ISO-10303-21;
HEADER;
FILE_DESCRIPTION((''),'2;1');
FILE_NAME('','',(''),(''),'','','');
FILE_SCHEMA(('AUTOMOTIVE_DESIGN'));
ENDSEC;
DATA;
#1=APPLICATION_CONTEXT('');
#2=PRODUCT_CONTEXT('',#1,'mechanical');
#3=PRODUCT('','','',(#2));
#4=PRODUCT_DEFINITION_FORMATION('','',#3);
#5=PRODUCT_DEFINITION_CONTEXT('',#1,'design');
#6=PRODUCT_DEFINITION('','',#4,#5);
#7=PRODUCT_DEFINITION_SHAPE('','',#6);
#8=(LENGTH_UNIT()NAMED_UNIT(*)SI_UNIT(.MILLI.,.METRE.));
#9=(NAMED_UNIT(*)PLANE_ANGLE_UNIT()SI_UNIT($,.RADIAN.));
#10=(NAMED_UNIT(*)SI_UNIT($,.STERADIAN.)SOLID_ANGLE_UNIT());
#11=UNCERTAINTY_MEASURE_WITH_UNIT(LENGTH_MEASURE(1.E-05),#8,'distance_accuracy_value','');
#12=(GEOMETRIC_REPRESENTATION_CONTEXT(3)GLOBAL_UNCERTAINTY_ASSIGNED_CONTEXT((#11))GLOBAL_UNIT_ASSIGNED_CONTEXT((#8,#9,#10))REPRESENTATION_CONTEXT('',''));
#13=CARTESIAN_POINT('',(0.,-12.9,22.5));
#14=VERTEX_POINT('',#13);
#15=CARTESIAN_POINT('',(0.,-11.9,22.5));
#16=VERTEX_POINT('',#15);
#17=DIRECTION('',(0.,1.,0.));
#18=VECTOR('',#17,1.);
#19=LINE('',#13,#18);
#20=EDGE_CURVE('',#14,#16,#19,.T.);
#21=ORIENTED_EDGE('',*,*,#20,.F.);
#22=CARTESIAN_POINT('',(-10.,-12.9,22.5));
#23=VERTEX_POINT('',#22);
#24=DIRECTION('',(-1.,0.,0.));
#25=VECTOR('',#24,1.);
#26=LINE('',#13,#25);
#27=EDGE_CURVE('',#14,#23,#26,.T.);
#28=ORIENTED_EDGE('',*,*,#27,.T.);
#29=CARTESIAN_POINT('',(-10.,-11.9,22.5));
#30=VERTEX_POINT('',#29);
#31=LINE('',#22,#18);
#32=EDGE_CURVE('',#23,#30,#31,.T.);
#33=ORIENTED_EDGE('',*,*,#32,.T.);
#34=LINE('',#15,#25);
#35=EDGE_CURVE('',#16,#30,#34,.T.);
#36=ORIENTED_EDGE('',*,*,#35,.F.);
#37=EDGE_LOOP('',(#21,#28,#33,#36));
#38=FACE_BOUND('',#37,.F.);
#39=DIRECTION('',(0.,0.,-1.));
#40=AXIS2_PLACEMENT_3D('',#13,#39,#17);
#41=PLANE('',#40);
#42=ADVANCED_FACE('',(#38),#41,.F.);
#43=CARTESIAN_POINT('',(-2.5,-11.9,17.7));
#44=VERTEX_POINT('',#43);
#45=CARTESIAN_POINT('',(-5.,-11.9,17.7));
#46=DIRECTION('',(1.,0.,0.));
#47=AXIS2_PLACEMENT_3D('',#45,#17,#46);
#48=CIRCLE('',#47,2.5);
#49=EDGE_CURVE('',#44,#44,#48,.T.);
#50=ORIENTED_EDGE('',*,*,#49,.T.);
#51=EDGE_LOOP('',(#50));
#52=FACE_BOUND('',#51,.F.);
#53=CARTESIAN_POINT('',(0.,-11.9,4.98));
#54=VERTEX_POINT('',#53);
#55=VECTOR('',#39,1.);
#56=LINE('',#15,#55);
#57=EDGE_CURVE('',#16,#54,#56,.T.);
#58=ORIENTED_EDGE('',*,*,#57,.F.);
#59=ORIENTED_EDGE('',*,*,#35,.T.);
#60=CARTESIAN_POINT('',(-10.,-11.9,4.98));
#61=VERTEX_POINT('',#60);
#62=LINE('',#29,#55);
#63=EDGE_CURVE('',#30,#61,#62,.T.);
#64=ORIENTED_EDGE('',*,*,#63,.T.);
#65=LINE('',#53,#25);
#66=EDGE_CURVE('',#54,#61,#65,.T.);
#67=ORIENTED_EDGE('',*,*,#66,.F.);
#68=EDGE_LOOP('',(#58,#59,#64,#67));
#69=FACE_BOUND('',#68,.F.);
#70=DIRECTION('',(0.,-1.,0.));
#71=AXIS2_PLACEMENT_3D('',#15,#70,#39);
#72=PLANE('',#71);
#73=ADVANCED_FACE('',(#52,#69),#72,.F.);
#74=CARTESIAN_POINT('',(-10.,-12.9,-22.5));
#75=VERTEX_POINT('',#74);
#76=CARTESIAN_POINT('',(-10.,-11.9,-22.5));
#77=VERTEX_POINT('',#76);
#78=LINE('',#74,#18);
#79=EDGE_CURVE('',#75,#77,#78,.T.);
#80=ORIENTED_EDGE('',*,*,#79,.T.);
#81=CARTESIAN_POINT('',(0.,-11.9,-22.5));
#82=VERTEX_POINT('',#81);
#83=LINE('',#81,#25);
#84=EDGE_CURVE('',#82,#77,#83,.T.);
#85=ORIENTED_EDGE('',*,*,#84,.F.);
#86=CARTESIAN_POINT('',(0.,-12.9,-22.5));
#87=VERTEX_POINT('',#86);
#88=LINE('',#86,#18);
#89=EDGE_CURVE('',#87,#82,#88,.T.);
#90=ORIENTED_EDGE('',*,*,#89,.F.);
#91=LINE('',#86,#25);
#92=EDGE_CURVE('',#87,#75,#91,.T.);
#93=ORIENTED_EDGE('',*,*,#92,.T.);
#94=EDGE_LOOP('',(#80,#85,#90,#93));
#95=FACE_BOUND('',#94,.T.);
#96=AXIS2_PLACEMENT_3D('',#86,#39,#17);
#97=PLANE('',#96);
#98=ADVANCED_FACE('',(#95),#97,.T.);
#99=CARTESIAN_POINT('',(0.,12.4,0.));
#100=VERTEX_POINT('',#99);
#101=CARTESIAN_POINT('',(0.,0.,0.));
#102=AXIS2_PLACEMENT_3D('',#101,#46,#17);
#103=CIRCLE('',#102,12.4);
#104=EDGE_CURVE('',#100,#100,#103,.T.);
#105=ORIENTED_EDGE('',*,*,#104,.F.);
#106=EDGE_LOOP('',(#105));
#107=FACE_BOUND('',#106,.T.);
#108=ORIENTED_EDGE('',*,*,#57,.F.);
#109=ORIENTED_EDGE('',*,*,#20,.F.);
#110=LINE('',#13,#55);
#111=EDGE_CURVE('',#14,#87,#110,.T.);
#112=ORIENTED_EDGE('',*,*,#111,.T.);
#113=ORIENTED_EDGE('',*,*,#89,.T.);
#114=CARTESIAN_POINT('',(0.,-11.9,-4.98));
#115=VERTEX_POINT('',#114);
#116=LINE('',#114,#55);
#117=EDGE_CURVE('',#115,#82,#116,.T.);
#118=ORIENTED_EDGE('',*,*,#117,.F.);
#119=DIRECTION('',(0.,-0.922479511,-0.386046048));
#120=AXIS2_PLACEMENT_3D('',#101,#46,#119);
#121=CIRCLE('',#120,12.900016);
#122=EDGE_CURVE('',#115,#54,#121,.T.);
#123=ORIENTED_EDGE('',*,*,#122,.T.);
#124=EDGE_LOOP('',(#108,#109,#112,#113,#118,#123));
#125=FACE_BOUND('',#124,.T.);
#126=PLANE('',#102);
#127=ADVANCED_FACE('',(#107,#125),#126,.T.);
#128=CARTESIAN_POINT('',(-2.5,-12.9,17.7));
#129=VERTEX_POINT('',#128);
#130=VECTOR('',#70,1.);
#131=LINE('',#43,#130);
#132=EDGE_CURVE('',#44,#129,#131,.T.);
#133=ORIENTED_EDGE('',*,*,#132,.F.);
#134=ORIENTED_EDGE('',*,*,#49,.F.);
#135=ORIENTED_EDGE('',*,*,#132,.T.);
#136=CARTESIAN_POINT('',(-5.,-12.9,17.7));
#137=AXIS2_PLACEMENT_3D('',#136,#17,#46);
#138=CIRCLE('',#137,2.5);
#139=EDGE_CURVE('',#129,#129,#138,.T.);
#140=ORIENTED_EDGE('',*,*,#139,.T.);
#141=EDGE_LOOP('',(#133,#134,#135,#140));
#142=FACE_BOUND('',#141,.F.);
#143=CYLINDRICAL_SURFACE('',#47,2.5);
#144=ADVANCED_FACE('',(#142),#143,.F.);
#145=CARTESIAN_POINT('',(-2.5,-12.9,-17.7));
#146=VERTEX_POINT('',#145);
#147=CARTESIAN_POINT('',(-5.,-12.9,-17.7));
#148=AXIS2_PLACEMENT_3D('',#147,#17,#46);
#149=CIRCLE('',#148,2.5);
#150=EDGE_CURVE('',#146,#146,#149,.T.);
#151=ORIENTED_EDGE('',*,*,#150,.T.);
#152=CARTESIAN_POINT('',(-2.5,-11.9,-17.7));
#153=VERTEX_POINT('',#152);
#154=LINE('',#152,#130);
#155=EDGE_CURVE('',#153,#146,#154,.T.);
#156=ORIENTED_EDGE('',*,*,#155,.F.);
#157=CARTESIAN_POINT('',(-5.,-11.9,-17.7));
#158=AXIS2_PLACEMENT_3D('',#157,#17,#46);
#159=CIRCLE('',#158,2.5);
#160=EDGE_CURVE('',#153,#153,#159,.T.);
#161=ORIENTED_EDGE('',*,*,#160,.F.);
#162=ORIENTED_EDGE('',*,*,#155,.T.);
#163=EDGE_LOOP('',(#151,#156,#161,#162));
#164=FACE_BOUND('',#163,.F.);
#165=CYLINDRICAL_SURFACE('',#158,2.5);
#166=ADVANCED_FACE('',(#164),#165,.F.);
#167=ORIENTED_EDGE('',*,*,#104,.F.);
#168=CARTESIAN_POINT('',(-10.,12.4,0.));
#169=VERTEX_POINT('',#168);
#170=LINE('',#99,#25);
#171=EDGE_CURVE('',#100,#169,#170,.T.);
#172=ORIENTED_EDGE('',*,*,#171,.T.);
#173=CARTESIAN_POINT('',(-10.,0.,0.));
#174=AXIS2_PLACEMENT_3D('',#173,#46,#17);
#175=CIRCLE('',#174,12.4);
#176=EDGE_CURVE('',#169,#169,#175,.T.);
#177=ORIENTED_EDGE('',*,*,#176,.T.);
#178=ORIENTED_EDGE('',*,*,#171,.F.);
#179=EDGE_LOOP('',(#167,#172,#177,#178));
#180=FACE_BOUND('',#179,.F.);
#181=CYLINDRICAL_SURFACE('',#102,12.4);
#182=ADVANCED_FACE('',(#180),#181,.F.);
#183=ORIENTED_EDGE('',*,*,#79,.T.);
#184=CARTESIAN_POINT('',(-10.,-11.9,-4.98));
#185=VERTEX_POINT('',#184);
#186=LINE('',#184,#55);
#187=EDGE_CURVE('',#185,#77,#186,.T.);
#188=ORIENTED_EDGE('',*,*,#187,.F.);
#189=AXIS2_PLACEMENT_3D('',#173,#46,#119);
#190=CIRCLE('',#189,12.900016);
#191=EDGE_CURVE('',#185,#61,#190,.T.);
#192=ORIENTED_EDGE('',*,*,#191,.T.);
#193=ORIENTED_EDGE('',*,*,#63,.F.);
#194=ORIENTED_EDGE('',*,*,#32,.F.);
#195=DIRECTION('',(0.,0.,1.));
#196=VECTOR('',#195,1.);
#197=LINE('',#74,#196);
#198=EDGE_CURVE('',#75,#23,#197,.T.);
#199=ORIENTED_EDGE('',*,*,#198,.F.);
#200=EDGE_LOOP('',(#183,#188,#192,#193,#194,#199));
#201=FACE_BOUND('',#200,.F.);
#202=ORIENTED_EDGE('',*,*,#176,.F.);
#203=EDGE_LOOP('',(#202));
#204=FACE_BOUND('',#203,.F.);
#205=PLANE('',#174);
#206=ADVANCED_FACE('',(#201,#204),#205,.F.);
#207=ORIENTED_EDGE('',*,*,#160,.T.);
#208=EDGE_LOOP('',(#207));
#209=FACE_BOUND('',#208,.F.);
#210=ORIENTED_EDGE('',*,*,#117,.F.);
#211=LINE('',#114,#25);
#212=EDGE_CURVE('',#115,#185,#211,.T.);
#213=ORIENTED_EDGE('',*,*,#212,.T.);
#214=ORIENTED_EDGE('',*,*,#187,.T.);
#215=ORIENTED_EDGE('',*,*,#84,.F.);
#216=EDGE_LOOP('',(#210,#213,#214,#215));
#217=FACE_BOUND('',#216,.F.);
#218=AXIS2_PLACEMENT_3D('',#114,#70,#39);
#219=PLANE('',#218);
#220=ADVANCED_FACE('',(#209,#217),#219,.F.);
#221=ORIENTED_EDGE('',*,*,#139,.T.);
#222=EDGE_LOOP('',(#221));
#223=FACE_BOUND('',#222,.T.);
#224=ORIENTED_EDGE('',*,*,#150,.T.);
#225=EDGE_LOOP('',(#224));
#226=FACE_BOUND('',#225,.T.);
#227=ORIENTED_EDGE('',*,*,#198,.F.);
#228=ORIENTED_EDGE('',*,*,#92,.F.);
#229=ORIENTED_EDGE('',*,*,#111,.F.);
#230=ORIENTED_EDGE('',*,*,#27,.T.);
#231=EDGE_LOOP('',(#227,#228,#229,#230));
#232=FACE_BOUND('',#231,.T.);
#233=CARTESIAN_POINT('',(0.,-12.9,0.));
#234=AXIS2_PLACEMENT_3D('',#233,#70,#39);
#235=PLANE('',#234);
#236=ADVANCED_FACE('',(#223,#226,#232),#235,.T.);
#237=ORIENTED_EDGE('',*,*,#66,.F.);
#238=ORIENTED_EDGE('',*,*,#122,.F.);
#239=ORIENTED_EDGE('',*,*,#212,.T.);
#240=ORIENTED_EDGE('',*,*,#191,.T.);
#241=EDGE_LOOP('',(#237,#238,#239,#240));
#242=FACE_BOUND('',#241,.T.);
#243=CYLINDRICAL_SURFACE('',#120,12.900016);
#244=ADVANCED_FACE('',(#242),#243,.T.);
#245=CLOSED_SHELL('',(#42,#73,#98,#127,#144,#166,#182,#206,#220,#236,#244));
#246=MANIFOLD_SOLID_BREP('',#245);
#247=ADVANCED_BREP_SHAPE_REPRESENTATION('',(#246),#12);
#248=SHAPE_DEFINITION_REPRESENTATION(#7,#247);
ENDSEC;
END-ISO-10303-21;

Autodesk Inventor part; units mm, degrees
ref_plane "YZ Plane" through (0, 0, 0) normal (1, 0, 0) x (0, 1, 0)
ref_plane "XZ Plane" through (0, 0, 0) normal (0, 1, 0) x (-1, 0, 0)
ref_plane "XY Plane" through (0, 0, 0) normal (0, 0, 1) x (1, 0, 0)
sketch "Esboço1" plane through (0, 0, 0) normal (1, 0, 0) x (0, 1, 0)
  arc A0 (-11.9, -4.98) -> (-11.9, 4.98) centre (0, 0) ccw
  circle A1 centre (0, 0) radius 12.4
  line L0 (-12.9, 0) -> (-12.9, 22.5)
  line L1 (-12.9, 22.5) -> (-11.9, 22.5)
  line L2 (-11.9, 22.5) -> (-11.9, 4.98)
  line L3 (-12.9, 0) -> (-12.9, -22.5)
  line L4 (-12.9, -22.5) -> (-11.9, -22.5)
  line L5 (-11.9, -4.98) -> (-11.9, -22.5)
  point P0 (-11.9, 4.98)
  dimension "d57" = 25.8
  dimension "d58" = 24.8
  dimension "d72" = 22.5
  dimension "d73" = 22.5
extrude "Extrusão8" add sketch "Esboço1" against normal blind 10
sketch "Esboço7" plane through (0, -11.9, 22.5) normal (0, 1, 0) x (1, 0, 0)
  line L0 (0, 35.4) -> (-10, 35.4) projected
  line L1 (0, 0) -> (-10, 0) projected
  circle A0 centre (-5, 4.8) radius 2.5
  circle A1 centre (-5, 40.2) radius 2.5
  point P0 (0, 22.5)
  dimension "d78" = 5
  dimension "d79" = 5
extrude "Extrusão9" cut sketch "Esboço7" against normal up to next
properties part number "apoiom"
